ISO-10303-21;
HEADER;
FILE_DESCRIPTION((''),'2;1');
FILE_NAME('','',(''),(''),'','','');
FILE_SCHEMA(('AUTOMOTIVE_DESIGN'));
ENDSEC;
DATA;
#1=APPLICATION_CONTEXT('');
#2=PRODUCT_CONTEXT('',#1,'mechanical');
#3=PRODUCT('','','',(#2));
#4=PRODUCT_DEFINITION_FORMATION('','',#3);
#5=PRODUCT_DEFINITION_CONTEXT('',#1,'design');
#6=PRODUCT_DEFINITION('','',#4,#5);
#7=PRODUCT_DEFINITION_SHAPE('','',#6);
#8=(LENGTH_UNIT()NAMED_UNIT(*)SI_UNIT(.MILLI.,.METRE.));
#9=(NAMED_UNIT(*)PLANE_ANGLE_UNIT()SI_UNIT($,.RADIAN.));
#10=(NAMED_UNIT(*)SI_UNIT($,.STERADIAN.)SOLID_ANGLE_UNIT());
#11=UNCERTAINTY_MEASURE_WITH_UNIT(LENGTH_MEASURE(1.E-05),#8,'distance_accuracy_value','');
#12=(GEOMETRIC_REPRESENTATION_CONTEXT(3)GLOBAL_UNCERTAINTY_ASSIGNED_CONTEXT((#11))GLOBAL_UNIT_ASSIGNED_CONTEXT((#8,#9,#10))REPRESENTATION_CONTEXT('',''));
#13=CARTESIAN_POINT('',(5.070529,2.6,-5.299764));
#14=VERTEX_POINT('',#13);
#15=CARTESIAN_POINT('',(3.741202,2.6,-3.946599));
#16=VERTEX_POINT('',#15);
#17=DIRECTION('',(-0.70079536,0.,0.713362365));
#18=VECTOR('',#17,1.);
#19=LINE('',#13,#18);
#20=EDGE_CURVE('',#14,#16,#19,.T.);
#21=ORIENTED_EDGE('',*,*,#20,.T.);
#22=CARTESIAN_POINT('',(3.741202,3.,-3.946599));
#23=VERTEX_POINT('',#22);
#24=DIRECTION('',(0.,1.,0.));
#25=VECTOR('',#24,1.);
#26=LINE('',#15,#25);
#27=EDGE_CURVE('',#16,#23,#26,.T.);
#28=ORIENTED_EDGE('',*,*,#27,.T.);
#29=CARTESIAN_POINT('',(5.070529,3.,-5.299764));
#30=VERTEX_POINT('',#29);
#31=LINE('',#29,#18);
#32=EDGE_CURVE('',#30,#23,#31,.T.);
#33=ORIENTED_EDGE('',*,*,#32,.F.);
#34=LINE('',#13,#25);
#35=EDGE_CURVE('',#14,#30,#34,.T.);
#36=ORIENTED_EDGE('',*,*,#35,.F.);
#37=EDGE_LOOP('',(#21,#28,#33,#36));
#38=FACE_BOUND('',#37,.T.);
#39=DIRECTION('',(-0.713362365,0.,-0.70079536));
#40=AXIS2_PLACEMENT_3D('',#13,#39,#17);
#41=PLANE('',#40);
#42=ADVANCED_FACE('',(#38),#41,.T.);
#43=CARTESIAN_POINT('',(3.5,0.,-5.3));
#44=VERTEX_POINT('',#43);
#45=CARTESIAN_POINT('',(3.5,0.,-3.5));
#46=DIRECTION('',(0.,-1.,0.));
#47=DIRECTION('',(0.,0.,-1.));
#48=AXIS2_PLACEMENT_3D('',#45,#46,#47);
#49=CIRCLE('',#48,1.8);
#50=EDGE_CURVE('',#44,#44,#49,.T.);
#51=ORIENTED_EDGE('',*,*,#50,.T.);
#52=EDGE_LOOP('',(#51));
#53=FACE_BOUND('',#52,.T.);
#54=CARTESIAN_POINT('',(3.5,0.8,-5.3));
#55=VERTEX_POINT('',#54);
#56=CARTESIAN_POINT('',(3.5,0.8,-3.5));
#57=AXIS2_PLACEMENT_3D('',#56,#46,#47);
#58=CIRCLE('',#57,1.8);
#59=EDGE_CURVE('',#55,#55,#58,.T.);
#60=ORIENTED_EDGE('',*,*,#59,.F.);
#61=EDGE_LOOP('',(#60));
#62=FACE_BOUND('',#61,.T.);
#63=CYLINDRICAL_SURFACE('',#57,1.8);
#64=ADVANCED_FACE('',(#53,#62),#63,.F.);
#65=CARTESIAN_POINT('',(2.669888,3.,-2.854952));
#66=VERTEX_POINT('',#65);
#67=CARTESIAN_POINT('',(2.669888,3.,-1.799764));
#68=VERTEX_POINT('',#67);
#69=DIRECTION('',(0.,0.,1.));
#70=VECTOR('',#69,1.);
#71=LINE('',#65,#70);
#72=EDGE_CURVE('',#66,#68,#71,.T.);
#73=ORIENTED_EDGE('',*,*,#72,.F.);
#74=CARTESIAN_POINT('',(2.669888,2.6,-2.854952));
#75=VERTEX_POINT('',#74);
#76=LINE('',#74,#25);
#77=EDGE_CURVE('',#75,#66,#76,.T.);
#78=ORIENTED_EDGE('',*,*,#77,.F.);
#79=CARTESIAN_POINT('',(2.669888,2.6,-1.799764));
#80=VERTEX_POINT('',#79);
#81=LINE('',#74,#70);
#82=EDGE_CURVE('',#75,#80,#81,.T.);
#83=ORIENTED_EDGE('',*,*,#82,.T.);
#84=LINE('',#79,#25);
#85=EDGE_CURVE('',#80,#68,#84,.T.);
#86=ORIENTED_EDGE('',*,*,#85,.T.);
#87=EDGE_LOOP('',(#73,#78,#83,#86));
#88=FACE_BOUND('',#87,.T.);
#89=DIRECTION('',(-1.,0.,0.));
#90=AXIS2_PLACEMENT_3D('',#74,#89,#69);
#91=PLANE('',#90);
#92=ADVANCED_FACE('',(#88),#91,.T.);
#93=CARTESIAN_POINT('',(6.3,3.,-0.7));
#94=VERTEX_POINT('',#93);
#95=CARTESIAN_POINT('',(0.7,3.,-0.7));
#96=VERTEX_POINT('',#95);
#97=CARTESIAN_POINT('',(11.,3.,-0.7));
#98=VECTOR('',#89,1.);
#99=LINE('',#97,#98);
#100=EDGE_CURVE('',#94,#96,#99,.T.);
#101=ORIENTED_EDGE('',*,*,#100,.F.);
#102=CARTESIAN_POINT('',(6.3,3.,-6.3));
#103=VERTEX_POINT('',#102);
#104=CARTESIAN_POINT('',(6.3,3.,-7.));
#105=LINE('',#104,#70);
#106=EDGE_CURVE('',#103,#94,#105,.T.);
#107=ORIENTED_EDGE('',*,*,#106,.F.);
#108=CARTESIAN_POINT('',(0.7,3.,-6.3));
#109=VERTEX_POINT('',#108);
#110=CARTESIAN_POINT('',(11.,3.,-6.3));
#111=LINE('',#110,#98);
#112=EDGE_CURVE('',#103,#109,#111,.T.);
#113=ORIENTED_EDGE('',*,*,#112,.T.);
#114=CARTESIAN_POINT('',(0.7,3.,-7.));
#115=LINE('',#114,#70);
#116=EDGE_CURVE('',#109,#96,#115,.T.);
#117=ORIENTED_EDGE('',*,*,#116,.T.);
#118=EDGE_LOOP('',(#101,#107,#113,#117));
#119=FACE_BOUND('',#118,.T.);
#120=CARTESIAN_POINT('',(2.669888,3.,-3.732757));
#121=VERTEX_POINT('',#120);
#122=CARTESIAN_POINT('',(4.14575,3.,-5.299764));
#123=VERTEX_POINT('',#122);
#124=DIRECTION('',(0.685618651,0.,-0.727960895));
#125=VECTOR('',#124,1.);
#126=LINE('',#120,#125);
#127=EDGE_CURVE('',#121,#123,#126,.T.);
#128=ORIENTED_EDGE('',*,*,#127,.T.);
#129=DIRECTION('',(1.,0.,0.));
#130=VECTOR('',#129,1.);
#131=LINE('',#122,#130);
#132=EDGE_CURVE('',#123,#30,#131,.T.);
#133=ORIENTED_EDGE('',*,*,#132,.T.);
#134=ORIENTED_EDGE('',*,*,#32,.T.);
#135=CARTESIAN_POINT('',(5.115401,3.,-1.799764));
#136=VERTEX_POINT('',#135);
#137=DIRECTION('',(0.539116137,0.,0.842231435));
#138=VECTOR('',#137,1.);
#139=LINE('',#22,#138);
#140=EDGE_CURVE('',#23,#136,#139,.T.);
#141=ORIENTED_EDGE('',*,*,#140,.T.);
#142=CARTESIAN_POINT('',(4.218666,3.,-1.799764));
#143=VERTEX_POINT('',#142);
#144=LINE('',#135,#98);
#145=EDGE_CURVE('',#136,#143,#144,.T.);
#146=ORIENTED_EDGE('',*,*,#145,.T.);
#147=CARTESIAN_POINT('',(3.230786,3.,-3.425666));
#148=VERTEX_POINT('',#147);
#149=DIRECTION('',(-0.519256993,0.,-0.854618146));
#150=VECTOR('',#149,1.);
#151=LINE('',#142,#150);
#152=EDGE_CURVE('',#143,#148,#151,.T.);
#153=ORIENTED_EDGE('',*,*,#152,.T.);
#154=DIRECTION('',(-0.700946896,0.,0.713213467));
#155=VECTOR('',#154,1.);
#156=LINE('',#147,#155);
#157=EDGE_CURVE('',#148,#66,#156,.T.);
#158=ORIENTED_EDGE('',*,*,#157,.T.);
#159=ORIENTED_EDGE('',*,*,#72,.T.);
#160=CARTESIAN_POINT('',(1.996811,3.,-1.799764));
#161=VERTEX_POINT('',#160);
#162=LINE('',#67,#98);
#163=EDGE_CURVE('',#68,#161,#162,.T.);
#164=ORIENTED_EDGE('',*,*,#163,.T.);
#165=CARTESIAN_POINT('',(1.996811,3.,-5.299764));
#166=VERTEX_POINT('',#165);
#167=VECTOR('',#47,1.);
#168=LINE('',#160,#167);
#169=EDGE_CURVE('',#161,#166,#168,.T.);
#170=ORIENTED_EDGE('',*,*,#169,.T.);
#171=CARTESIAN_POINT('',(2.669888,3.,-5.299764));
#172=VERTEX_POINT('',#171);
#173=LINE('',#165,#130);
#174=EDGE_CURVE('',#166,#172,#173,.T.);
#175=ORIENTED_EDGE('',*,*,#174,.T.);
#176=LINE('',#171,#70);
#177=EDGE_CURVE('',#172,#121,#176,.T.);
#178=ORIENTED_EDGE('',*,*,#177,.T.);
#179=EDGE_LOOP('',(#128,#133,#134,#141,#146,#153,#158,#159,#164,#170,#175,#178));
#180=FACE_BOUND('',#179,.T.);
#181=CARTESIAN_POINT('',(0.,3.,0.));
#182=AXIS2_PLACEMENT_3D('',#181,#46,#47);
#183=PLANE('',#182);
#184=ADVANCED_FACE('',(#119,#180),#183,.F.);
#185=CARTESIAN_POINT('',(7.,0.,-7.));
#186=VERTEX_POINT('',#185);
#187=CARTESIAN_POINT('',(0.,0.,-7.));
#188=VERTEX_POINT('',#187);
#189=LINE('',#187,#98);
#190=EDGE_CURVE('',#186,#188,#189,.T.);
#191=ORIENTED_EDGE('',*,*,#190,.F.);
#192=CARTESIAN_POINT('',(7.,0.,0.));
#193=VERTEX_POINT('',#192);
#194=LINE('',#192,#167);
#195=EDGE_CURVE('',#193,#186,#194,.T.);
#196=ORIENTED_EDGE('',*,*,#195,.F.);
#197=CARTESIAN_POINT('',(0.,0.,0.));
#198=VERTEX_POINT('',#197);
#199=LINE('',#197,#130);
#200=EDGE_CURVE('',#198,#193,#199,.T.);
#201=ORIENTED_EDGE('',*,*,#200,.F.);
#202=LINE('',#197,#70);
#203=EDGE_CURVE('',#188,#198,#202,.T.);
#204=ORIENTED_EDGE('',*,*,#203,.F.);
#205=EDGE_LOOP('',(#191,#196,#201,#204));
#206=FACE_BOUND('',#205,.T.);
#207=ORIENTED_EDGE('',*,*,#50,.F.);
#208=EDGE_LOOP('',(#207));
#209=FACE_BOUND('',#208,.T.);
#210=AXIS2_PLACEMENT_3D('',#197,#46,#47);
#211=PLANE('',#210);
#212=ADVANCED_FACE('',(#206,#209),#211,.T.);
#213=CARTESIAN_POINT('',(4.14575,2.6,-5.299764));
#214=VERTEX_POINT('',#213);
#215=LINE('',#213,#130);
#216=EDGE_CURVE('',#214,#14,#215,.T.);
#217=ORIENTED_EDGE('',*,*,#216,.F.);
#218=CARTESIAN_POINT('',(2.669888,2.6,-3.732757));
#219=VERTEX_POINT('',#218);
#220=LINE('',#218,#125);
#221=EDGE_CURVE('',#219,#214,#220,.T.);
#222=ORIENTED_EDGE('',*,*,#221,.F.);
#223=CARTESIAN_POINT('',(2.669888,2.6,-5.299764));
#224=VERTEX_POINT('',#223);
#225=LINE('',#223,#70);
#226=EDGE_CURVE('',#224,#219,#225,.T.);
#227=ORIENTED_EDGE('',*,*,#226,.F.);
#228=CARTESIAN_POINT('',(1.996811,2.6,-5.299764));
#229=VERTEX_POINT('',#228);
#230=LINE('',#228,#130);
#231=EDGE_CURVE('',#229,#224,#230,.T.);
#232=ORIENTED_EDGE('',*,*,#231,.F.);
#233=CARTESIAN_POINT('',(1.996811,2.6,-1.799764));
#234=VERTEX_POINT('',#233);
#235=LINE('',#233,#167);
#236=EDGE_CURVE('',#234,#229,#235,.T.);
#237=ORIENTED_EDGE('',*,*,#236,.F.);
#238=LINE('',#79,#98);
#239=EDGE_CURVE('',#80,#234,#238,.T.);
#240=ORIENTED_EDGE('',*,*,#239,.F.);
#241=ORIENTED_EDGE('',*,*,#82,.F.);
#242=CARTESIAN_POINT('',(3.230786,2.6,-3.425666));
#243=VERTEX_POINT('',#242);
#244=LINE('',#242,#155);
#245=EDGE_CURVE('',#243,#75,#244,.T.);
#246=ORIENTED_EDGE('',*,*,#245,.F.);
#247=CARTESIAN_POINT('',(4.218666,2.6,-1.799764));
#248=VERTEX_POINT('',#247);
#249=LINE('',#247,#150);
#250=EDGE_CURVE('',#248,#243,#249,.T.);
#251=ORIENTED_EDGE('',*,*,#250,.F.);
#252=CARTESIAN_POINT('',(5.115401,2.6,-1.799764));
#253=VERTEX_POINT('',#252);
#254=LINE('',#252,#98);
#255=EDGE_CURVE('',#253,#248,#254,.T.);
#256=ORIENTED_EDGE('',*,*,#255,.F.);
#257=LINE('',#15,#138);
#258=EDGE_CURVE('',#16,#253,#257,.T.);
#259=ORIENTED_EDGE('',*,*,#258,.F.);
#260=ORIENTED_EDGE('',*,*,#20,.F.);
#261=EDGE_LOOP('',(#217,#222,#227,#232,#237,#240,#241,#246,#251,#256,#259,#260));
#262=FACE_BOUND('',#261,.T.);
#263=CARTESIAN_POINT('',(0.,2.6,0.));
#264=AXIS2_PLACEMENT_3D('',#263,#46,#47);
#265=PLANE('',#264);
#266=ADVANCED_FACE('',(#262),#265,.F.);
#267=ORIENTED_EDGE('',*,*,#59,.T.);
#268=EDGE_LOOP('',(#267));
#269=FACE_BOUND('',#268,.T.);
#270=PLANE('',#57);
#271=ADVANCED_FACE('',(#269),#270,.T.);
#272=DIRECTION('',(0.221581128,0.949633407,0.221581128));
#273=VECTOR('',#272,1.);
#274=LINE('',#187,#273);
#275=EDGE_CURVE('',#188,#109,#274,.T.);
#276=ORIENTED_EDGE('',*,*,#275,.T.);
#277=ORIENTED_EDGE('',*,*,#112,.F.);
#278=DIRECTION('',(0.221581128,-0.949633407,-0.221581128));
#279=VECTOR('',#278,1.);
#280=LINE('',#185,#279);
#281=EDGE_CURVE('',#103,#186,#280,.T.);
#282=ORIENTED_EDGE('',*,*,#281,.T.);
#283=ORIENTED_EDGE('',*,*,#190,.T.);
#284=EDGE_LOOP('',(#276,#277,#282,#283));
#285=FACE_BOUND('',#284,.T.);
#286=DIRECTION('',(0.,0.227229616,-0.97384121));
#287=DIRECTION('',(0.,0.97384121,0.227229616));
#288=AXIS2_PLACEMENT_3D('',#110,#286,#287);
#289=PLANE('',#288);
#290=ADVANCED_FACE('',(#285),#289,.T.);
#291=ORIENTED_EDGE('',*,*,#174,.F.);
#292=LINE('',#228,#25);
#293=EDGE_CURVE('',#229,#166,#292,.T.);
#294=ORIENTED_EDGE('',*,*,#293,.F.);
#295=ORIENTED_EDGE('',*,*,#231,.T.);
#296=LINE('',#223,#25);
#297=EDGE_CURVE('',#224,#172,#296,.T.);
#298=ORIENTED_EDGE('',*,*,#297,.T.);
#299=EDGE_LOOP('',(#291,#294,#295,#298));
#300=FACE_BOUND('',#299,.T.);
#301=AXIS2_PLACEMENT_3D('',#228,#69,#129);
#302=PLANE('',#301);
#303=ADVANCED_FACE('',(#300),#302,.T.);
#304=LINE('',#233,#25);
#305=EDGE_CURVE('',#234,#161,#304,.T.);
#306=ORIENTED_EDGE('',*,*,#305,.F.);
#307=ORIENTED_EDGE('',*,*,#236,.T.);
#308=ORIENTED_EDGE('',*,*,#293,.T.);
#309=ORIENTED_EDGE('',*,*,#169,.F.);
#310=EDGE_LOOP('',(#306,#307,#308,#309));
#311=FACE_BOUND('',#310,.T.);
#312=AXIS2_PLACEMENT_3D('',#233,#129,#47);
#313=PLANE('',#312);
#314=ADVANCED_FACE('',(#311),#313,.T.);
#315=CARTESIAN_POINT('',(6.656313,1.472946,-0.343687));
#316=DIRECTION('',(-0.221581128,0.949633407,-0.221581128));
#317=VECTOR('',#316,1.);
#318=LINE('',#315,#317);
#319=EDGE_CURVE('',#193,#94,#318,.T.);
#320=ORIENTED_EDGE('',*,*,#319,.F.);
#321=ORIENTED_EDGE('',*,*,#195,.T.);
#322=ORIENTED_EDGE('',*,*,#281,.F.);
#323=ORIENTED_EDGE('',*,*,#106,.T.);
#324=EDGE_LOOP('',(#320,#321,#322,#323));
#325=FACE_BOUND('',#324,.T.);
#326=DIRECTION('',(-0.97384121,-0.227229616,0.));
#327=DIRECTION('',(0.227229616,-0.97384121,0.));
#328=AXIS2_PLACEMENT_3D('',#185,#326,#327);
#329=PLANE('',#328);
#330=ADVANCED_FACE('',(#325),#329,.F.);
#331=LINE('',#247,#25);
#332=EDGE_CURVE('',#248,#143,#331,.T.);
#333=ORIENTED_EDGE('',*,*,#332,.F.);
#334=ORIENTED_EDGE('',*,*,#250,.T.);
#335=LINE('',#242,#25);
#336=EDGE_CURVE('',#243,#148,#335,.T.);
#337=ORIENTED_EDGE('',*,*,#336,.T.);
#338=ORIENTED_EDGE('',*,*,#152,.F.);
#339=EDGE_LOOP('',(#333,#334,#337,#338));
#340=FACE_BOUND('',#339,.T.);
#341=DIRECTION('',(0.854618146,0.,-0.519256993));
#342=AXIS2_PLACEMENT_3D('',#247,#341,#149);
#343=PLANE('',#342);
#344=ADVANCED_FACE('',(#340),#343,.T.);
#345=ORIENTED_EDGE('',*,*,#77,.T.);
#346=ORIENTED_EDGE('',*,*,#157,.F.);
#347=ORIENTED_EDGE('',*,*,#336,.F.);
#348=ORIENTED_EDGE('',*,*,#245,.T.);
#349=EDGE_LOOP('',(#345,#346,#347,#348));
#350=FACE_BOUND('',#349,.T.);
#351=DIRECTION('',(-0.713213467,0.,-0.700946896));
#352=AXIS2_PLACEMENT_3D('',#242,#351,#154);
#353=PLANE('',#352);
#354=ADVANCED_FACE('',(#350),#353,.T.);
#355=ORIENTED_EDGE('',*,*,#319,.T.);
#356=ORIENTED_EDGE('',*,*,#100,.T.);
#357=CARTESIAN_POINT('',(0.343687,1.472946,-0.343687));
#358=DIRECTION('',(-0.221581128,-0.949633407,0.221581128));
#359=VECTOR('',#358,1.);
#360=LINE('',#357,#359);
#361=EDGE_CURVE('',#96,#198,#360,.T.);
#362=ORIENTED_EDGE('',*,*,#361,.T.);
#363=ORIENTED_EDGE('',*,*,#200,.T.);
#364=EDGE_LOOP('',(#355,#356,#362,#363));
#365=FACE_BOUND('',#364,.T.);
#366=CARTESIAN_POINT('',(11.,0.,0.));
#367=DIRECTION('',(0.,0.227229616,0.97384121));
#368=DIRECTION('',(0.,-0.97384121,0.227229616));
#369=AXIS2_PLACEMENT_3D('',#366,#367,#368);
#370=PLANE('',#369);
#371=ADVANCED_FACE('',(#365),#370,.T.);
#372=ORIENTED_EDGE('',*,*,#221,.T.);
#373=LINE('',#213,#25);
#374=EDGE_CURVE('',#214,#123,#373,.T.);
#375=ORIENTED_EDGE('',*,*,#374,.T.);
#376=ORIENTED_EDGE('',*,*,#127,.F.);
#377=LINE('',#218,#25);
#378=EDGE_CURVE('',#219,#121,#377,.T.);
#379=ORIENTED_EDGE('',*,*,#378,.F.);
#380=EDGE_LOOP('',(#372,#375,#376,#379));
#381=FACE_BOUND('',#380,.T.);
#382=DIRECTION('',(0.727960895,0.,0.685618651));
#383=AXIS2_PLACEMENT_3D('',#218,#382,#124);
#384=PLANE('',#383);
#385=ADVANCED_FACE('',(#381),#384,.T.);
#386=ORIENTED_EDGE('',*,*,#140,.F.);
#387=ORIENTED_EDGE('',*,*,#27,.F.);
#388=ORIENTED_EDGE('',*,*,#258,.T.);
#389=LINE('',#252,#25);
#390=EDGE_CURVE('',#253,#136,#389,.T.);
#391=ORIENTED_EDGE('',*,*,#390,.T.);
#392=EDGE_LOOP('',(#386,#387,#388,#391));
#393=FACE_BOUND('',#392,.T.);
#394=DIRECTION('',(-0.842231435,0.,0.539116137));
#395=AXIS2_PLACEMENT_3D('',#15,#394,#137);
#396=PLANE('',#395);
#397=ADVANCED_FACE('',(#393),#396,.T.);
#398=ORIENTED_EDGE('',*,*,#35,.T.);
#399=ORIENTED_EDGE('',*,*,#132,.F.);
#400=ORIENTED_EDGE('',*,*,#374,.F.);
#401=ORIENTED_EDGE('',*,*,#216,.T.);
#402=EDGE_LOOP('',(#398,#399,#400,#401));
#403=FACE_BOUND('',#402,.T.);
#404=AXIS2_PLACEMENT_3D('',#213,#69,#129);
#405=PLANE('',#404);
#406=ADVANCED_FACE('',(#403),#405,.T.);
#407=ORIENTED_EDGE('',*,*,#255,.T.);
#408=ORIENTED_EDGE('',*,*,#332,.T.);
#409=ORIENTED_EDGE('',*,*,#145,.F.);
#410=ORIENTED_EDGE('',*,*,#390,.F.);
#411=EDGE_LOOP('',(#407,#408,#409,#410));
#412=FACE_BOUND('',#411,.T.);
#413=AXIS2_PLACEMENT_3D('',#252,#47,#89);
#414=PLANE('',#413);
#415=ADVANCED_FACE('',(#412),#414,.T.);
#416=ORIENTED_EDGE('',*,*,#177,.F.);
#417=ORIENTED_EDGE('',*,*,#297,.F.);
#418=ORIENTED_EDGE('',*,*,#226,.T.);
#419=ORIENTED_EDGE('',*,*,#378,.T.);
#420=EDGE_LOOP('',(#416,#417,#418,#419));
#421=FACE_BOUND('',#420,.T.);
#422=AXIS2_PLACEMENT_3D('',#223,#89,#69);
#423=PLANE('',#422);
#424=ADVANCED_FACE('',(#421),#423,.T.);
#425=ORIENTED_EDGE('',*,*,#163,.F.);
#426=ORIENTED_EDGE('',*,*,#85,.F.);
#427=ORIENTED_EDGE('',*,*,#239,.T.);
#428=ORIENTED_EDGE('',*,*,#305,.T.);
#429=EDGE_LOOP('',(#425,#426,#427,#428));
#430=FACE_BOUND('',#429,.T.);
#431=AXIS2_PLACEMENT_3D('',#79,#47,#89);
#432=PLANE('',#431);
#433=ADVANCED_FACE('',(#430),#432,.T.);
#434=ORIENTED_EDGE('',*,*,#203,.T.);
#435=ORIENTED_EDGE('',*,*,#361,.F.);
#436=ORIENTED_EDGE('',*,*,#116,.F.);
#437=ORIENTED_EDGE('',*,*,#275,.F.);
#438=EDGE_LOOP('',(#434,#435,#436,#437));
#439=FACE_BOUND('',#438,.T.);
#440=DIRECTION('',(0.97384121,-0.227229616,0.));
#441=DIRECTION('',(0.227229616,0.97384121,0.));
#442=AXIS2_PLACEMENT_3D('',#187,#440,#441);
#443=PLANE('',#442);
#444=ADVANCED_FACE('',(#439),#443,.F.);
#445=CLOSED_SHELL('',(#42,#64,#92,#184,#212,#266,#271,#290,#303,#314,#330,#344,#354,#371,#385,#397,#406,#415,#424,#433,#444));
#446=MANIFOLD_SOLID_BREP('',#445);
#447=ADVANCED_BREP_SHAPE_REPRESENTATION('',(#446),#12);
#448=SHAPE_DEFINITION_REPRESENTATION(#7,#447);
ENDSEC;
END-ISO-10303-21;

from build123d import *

# Parameters (mm, degrees)
SKETCH1_W           = 7
SKETCH1_H           = 7
BOSS_EXTRUDE1_DEPTH = 3
CUT_EXTRUDE1_DEPTH  = 7
CUT_EXTRUDE2_DEPTH  = 11
SKETCH4_R           = 1.8
CUT_EXTRUDE3_DEPTH  = 0.8
CUT_EXTRUDE4_DEPTH  = 0.4


with BuildPart() as part:
    # Sketch1 → Boss-Extrude1 (new body)
    with BuildSketch(Plane(origin=(0, 0, 0), x_dir=(1, 0, 0), z_dir=(0, 1, 0))):
        with Locations((3.5, 3.5)):
            Rectangle(SKETCH1_W, SKETCH1_H)
    extrude(amount=BOSS_EXTRUDE1_DEPTH)

    # Sketch2 → Cut-Extrude1 (cut)
    with BuildSketch(Plane.XY):
        Polygon((0, 0), (0.7, 3), (0, 3), align=None)
        Polygon((7, 0), (6.3, 3), (7, 3), align=None)
    extrude(amount=-CUT_EXTRUDE1_DEPTH, mode=Mode.SUBTRACT)

    # Sketch3 → Cut-Extrude2 (cut)
    with BuildSketch(Plane(origin=(0, 0, 0), x_dir=(0, 0, -1), z_dir=(1, 0, 0))):
        Polygon((0, 0), (0.7, 3), (0, 3), align=None)
        Polygon((7, 3), (6.3, 3), (7, 0), align=None)
    extrude(amount=CUT_EXTRUDE2_DEPTH, mode=Mode.SUBTRACT)

    # Sketch4 → Cut-Extrude3 (cut)
    with BuildSketch(Plane.XZ):
        with Locations(Location((3.5, -3.5, 0), (0, 0, 270))):
            Circle(SKETCH4_R)
    extrude(amount=-CUT_EXTRUDE3_DEPTH, mode=Mode.SUBTRACT)

    # Sketch5 → Cut-Extrude4 (cut)
    with BuildSketch(Plane(origin=(0, 3, 0), x_dir=(1, 0, 0), z_dir=(0, 1, 0))):
        Polygon((1.996811293, 1.799764157), (1.996811293, 5.299764157), (2.669888216, 5.299764157), (2.669888216, 3.732756946), (4.145749594, 5.299764157), (5.070529242, 5.299764157), (3.741202319, 3.946599093), (5.115401037, 1.799764157), (4.218666261, 1.799764157), (3.230785652, 3.4256656), (2.669888216, 2.854952459), (2.669888216, 1.799764157), align=None)
    extrude(amount=-CUT_EXTRUDE4_DEPTH, mode=Mode.SUBTRACT)


solid = part.part
